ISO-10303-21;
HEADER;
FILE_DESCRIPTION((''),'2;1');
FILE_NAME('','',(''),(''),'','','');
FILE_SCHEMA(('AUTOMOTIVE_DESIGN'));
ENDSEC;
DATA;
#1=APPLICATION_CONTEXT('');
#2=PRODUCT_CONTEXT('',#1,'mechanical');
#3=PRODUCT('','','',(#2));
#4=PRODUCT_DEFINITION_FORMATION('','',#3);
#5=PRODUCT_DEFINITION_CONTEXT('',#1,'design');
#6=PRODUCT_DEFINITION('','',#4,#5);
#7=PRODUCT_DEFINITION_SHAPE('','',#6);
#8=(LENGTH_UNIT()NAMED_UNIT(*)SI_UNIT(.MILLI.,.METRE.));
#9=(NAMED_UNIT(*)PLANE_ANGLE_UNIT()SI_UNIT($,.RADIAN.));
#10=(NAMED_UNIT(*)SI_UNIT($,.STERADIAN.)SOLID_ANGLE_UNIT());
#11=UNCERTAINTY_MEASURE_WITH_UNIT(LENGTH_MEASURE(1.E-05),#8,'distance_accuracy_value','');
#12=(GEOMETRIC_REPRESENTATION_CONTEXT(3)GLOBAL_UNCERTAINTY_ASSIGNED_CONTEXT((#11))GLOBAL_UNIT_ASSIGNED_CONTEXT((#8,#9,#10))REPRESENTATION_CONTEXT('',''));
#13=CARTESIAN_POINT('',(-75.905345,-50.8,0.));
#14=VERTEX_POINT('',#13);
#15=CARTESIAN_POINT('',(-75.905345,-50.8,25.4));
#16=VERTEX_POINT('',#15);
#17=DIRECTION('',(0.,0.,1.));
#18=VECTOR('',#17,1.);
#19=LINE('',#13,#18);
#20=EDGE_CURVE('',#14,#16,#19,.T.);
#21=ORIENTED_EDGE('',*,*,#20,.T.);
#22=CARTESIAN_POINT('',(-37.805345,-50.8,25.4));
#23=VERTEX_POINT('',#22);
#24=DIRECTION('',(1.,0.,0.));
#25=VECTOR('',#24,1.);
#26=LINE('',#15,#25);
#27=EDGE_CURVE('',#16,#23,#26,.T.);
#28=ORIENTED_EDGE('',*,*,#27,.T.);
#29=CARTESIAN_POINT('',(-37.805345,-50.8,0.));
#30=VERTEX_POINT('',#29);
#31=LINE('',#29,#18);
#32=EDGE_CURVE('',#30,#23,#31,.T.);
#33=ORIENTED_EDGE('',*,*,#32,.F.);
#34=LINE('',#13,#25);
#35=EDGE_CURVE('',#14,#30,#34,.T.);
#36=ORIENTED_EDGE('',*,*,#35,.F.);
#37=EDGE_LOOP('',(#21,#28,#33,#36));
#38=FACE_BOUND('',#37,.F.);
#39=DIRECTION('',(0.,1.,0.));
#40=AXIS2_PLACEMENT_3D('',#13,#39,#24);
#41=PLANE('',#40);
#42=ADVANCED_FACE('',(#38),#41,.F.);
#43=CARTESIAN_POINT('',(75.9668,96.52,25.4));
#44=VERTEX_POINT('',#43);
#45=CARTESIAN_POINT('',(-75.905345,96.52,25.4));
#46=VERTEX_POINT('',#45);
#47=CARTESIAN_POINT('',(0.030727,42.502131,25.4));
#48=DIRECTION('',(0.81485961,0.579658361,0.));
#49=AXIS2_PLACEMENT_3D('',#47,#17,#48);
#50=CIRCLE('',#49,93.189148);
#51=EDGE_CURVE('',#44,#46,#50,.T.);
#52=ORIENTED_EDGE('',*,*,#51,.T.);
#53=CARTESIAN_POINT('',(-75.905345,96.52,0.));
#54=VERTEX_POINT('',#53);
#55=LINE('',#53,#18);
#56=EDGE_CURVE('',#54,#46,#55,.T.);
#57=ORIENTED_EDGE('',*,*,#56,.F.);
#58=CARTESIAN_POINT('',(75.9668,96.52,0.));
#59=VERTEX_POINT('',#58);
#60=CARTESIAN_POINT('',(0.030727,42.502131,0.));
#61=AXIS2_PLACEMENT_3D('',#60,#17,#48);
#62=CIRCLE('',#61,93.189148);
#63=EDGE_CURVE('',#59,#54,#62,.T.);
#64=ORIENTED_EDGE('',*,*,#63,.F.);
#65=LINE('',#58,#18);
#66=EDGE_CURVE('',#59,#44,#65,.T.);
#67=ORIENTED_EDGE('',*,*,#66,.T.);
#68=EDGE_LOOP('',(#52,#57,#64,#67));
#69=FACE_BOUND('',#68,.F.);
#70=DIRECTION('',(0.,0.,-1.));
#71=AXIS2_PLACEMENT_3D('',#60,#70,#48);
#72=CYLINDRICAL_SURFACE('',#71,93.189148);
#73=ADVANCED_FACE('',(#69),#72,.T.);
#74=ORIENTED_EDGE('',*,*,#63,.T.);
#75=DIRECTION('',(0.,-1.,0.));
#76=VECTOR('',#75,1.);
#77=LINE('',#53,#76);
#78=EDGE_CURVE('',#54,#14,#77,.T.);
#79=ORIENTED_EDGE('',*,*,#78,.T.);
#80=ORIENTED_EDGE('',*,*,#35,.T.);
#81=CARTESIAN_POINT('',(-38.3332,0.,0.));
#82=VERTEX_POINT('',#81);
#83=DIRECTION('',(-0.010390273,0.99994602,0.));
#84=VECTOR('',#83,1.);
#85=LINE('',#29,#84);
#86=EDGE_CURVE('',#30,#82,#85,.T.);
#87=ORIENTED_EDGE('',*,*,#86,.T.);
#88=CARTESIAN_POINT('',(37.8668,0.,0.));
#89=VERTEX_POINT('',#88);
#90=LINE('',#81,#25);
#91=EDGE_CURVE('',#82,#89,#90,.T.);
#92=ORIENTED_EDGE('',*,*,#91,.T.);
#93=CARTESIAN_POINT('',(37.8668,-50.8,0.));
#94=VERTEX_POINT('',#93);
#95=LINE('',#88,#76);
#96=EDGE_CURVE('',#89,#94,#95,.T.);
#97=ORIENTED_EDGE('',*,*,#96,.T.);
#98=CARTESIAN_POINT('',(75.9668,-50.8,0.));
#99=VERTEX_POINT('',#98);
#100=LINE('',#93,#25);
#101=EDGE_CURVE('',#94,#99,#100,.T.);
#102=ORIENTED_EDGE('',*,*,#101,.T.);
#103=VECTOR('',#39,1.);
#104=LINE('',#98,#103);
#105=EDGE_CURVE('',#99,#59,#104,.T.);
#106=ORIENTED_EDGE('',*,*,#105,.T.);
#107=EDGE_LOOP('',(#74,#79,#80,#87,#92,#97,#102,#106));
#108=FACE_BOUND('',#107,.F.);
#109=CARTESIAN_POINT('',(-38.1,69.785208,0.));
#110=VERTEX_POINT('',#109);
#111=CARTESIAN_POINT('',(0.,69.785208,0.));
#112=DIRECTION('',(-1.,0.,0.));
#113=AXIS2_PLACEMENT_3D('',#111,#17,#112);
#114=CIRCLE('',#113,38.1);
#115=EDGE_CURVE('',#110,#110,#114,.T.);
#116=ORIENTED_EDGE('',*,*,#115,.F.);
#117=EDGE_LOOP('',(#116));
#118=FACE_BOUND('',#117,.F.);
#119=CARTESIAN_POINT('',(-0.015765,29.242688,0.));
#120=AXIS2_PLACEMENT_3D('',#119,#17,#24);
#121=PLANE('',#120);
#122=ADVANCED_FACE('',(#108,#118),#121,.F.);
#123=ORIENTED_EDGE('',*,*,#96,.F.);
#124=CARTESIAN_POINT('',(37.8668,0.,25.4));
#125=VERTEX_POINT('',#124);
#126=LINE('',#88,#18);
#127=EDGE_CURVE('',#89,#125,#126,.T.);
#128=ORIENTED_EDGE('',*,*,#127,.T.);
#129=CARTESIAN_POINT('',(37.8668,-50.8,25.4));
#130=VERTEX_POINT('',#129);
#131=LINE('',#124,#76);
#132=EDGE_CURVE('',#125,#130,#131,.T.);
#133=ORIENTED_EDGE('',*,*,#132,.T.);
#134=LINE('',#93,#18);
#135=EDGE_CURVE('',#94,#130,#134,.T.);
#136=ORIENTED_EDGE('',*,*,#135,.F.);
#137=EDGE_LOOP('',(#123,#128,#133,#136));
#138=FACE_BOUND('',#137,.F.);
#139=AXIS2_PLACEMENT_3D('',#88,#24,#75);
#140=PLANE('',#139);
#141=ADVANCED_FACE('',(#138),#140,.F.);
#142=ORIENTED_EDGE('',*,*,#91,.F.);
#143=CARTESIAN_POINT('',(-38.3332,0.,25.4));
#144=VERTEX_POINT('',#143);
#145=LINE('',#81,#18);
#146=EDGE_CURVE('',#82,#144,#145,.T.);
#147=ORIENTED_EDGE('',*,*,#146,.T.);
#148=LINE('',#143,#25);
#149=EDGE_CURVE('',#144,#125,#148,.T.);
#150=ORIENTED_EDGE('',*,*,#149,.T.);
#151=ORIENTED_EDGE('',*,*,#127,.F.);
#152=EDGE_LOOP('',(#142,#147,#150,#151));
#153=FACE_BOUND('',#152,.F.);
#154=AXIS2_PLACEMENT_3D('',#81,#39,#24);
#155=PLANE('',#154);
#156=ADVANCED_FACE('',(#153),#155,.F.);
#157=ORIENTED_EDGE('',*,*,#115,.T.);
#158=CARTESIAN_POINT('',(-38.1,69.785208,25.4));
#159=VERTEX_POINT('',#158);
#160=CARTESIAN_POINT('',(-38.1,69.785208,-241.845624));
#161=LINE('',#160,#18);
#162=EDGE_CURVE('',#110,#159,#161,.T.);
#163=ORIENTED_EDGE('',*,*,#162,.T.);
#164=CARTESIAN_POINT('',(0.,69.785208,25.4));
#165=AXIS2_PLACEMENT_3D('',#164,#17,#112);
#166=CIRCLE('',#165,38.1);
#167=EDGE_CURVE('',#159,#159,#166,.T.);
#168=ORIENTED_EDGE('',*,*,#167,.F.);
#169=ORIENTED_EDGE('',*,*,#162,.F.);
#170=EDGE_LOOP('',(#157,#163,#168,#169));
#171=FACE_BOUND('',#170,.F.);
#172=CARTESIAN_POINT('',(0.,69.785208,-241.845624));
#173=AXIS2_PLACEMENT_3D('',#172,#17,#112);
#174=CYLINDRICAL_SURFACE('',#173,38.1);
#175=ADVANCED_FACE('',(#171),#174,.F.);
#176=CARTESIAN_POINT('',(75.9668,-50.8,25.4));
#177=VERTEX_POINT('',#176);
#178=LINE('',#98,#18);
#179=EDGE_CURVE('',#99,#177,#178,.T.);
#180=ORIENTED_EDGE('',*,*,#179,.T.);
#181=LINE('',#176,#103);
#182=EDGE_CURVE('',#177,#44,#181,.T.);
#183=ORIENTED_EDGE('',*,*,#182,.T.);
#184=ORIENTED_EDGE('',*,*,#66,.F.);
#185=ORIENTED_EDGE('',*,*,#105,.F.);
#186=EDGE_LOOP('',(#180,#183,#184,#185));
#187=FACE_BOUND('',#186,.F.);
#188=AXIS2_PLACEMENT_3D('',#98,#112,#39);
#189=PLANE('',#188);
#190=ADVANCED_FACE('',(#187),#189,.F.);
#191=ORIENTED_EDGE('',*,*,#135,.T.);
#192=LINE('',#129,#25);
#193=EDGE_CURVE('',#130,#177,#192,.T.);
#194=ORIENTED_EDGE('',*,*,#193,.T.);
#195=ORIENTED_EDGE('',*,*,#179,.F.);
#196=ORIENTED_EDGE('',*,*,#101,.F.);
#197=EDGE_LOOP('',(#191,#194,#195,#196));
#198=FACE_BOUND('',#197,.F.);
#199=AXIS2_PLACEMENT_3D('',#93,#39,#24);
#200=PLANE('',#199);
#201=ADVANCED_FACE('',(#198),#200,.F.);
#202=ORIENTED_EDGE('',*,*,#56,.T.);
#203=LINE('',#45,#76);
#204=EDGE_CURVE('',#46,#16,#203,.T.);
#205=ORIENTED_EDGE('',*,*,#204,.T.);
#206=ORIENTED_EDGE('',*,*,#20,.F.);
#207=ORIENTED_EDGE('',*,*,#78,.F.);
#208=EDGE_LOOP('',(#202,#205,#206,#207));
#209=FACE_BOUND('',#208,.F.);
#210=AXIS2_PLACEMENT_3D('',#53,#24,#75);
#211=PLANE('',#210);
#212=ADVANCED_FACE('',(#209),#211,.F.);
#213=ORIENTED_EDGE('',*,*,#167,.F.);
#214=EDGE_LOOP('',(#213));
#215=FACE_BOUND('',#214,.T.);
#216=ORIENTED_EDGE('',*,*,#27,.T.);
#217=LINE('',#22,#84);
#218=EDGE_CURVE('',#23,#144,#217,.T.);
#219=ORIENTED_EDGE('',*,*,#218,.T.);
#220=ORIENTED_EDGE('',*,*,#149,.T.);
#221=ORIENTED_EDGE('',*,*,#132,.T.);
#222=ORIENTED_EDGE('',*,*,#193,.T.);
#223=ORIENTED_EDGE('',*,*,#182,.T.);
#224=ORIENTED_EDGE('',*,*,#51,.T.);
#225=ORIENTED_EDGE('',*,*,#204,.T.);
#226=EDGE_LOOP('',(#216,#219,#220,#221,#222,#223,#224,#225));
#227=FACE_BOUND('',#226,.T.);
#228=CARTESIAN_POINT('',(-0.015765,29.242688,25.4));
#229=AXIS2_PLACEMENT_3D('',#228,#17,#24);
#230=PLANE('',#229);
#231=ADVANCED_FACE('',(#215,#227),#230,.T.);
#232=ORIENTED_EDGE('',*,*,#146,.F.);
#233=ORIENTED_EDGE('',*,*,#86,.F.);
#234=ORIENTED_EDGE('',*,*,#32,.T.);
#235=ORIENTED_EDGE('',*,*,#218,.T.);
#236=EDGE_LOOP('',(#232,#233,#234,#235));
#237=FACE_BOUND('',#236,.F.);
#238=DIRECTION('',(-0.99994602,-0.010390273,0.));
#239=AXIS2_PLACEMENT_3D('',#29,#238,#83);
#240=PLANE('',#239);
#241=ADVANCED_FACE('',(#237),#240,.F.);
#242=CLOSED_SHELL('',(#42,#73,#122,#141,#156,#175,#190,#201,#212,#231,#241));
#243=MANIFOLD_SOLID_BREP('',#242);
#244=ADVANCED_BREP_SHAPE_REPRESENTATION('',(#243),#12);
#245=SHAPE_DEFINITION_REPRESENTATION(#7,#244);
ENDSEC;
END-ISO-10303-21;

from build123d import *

# Parameters (mm, degrees)
F1_DEPTH = 25.4
F3_D     = 76.2


with BuildPart() as f1:
    # F0 (on Top) → F1 (new body)
    with BuildSketch(Plane.XY):
        with BuildLine():
            Line((-37.8053453803, -50.8), (-38.3331997294, 0))
            Line((-38.3331997294, 0), (37.8668002706, 0))
            Line((37.8668002706, 0), (37.8668002706, -50.8))
            Line((37.8668002706, -50.8), (75.9668002706, -50.8))
            Line((75.9668002706, -50.8), (75.9668002706, 0))
            Line((75.9668002706, 0), (75.9668002706, 96.52))
            ThreePointArc((75.9668002706, 96.52), (0.0307274451, 135.6912791975), (-75.9053453803, 96.52))
            Line((-75.9053453803, 96.52), (-75.9053453803, 0))
            Line((-75.9053453803, 0), (-75.9053453803, -50.8))
            Line((-75.9053453803, -50.8), (-37.8053453803, -50.8))
        make_face()
    extrude(amount=F1_DEPTH)

    # F3 (through all)
    with Locations(Plane(origin=(0, 0, 0), x_dir=(1, 0, 0), z_dir=(0, 0, -1))):
        with Locations((0, -69.78520751)):
            Hole(F3_D / 2)


solid = f1.part
